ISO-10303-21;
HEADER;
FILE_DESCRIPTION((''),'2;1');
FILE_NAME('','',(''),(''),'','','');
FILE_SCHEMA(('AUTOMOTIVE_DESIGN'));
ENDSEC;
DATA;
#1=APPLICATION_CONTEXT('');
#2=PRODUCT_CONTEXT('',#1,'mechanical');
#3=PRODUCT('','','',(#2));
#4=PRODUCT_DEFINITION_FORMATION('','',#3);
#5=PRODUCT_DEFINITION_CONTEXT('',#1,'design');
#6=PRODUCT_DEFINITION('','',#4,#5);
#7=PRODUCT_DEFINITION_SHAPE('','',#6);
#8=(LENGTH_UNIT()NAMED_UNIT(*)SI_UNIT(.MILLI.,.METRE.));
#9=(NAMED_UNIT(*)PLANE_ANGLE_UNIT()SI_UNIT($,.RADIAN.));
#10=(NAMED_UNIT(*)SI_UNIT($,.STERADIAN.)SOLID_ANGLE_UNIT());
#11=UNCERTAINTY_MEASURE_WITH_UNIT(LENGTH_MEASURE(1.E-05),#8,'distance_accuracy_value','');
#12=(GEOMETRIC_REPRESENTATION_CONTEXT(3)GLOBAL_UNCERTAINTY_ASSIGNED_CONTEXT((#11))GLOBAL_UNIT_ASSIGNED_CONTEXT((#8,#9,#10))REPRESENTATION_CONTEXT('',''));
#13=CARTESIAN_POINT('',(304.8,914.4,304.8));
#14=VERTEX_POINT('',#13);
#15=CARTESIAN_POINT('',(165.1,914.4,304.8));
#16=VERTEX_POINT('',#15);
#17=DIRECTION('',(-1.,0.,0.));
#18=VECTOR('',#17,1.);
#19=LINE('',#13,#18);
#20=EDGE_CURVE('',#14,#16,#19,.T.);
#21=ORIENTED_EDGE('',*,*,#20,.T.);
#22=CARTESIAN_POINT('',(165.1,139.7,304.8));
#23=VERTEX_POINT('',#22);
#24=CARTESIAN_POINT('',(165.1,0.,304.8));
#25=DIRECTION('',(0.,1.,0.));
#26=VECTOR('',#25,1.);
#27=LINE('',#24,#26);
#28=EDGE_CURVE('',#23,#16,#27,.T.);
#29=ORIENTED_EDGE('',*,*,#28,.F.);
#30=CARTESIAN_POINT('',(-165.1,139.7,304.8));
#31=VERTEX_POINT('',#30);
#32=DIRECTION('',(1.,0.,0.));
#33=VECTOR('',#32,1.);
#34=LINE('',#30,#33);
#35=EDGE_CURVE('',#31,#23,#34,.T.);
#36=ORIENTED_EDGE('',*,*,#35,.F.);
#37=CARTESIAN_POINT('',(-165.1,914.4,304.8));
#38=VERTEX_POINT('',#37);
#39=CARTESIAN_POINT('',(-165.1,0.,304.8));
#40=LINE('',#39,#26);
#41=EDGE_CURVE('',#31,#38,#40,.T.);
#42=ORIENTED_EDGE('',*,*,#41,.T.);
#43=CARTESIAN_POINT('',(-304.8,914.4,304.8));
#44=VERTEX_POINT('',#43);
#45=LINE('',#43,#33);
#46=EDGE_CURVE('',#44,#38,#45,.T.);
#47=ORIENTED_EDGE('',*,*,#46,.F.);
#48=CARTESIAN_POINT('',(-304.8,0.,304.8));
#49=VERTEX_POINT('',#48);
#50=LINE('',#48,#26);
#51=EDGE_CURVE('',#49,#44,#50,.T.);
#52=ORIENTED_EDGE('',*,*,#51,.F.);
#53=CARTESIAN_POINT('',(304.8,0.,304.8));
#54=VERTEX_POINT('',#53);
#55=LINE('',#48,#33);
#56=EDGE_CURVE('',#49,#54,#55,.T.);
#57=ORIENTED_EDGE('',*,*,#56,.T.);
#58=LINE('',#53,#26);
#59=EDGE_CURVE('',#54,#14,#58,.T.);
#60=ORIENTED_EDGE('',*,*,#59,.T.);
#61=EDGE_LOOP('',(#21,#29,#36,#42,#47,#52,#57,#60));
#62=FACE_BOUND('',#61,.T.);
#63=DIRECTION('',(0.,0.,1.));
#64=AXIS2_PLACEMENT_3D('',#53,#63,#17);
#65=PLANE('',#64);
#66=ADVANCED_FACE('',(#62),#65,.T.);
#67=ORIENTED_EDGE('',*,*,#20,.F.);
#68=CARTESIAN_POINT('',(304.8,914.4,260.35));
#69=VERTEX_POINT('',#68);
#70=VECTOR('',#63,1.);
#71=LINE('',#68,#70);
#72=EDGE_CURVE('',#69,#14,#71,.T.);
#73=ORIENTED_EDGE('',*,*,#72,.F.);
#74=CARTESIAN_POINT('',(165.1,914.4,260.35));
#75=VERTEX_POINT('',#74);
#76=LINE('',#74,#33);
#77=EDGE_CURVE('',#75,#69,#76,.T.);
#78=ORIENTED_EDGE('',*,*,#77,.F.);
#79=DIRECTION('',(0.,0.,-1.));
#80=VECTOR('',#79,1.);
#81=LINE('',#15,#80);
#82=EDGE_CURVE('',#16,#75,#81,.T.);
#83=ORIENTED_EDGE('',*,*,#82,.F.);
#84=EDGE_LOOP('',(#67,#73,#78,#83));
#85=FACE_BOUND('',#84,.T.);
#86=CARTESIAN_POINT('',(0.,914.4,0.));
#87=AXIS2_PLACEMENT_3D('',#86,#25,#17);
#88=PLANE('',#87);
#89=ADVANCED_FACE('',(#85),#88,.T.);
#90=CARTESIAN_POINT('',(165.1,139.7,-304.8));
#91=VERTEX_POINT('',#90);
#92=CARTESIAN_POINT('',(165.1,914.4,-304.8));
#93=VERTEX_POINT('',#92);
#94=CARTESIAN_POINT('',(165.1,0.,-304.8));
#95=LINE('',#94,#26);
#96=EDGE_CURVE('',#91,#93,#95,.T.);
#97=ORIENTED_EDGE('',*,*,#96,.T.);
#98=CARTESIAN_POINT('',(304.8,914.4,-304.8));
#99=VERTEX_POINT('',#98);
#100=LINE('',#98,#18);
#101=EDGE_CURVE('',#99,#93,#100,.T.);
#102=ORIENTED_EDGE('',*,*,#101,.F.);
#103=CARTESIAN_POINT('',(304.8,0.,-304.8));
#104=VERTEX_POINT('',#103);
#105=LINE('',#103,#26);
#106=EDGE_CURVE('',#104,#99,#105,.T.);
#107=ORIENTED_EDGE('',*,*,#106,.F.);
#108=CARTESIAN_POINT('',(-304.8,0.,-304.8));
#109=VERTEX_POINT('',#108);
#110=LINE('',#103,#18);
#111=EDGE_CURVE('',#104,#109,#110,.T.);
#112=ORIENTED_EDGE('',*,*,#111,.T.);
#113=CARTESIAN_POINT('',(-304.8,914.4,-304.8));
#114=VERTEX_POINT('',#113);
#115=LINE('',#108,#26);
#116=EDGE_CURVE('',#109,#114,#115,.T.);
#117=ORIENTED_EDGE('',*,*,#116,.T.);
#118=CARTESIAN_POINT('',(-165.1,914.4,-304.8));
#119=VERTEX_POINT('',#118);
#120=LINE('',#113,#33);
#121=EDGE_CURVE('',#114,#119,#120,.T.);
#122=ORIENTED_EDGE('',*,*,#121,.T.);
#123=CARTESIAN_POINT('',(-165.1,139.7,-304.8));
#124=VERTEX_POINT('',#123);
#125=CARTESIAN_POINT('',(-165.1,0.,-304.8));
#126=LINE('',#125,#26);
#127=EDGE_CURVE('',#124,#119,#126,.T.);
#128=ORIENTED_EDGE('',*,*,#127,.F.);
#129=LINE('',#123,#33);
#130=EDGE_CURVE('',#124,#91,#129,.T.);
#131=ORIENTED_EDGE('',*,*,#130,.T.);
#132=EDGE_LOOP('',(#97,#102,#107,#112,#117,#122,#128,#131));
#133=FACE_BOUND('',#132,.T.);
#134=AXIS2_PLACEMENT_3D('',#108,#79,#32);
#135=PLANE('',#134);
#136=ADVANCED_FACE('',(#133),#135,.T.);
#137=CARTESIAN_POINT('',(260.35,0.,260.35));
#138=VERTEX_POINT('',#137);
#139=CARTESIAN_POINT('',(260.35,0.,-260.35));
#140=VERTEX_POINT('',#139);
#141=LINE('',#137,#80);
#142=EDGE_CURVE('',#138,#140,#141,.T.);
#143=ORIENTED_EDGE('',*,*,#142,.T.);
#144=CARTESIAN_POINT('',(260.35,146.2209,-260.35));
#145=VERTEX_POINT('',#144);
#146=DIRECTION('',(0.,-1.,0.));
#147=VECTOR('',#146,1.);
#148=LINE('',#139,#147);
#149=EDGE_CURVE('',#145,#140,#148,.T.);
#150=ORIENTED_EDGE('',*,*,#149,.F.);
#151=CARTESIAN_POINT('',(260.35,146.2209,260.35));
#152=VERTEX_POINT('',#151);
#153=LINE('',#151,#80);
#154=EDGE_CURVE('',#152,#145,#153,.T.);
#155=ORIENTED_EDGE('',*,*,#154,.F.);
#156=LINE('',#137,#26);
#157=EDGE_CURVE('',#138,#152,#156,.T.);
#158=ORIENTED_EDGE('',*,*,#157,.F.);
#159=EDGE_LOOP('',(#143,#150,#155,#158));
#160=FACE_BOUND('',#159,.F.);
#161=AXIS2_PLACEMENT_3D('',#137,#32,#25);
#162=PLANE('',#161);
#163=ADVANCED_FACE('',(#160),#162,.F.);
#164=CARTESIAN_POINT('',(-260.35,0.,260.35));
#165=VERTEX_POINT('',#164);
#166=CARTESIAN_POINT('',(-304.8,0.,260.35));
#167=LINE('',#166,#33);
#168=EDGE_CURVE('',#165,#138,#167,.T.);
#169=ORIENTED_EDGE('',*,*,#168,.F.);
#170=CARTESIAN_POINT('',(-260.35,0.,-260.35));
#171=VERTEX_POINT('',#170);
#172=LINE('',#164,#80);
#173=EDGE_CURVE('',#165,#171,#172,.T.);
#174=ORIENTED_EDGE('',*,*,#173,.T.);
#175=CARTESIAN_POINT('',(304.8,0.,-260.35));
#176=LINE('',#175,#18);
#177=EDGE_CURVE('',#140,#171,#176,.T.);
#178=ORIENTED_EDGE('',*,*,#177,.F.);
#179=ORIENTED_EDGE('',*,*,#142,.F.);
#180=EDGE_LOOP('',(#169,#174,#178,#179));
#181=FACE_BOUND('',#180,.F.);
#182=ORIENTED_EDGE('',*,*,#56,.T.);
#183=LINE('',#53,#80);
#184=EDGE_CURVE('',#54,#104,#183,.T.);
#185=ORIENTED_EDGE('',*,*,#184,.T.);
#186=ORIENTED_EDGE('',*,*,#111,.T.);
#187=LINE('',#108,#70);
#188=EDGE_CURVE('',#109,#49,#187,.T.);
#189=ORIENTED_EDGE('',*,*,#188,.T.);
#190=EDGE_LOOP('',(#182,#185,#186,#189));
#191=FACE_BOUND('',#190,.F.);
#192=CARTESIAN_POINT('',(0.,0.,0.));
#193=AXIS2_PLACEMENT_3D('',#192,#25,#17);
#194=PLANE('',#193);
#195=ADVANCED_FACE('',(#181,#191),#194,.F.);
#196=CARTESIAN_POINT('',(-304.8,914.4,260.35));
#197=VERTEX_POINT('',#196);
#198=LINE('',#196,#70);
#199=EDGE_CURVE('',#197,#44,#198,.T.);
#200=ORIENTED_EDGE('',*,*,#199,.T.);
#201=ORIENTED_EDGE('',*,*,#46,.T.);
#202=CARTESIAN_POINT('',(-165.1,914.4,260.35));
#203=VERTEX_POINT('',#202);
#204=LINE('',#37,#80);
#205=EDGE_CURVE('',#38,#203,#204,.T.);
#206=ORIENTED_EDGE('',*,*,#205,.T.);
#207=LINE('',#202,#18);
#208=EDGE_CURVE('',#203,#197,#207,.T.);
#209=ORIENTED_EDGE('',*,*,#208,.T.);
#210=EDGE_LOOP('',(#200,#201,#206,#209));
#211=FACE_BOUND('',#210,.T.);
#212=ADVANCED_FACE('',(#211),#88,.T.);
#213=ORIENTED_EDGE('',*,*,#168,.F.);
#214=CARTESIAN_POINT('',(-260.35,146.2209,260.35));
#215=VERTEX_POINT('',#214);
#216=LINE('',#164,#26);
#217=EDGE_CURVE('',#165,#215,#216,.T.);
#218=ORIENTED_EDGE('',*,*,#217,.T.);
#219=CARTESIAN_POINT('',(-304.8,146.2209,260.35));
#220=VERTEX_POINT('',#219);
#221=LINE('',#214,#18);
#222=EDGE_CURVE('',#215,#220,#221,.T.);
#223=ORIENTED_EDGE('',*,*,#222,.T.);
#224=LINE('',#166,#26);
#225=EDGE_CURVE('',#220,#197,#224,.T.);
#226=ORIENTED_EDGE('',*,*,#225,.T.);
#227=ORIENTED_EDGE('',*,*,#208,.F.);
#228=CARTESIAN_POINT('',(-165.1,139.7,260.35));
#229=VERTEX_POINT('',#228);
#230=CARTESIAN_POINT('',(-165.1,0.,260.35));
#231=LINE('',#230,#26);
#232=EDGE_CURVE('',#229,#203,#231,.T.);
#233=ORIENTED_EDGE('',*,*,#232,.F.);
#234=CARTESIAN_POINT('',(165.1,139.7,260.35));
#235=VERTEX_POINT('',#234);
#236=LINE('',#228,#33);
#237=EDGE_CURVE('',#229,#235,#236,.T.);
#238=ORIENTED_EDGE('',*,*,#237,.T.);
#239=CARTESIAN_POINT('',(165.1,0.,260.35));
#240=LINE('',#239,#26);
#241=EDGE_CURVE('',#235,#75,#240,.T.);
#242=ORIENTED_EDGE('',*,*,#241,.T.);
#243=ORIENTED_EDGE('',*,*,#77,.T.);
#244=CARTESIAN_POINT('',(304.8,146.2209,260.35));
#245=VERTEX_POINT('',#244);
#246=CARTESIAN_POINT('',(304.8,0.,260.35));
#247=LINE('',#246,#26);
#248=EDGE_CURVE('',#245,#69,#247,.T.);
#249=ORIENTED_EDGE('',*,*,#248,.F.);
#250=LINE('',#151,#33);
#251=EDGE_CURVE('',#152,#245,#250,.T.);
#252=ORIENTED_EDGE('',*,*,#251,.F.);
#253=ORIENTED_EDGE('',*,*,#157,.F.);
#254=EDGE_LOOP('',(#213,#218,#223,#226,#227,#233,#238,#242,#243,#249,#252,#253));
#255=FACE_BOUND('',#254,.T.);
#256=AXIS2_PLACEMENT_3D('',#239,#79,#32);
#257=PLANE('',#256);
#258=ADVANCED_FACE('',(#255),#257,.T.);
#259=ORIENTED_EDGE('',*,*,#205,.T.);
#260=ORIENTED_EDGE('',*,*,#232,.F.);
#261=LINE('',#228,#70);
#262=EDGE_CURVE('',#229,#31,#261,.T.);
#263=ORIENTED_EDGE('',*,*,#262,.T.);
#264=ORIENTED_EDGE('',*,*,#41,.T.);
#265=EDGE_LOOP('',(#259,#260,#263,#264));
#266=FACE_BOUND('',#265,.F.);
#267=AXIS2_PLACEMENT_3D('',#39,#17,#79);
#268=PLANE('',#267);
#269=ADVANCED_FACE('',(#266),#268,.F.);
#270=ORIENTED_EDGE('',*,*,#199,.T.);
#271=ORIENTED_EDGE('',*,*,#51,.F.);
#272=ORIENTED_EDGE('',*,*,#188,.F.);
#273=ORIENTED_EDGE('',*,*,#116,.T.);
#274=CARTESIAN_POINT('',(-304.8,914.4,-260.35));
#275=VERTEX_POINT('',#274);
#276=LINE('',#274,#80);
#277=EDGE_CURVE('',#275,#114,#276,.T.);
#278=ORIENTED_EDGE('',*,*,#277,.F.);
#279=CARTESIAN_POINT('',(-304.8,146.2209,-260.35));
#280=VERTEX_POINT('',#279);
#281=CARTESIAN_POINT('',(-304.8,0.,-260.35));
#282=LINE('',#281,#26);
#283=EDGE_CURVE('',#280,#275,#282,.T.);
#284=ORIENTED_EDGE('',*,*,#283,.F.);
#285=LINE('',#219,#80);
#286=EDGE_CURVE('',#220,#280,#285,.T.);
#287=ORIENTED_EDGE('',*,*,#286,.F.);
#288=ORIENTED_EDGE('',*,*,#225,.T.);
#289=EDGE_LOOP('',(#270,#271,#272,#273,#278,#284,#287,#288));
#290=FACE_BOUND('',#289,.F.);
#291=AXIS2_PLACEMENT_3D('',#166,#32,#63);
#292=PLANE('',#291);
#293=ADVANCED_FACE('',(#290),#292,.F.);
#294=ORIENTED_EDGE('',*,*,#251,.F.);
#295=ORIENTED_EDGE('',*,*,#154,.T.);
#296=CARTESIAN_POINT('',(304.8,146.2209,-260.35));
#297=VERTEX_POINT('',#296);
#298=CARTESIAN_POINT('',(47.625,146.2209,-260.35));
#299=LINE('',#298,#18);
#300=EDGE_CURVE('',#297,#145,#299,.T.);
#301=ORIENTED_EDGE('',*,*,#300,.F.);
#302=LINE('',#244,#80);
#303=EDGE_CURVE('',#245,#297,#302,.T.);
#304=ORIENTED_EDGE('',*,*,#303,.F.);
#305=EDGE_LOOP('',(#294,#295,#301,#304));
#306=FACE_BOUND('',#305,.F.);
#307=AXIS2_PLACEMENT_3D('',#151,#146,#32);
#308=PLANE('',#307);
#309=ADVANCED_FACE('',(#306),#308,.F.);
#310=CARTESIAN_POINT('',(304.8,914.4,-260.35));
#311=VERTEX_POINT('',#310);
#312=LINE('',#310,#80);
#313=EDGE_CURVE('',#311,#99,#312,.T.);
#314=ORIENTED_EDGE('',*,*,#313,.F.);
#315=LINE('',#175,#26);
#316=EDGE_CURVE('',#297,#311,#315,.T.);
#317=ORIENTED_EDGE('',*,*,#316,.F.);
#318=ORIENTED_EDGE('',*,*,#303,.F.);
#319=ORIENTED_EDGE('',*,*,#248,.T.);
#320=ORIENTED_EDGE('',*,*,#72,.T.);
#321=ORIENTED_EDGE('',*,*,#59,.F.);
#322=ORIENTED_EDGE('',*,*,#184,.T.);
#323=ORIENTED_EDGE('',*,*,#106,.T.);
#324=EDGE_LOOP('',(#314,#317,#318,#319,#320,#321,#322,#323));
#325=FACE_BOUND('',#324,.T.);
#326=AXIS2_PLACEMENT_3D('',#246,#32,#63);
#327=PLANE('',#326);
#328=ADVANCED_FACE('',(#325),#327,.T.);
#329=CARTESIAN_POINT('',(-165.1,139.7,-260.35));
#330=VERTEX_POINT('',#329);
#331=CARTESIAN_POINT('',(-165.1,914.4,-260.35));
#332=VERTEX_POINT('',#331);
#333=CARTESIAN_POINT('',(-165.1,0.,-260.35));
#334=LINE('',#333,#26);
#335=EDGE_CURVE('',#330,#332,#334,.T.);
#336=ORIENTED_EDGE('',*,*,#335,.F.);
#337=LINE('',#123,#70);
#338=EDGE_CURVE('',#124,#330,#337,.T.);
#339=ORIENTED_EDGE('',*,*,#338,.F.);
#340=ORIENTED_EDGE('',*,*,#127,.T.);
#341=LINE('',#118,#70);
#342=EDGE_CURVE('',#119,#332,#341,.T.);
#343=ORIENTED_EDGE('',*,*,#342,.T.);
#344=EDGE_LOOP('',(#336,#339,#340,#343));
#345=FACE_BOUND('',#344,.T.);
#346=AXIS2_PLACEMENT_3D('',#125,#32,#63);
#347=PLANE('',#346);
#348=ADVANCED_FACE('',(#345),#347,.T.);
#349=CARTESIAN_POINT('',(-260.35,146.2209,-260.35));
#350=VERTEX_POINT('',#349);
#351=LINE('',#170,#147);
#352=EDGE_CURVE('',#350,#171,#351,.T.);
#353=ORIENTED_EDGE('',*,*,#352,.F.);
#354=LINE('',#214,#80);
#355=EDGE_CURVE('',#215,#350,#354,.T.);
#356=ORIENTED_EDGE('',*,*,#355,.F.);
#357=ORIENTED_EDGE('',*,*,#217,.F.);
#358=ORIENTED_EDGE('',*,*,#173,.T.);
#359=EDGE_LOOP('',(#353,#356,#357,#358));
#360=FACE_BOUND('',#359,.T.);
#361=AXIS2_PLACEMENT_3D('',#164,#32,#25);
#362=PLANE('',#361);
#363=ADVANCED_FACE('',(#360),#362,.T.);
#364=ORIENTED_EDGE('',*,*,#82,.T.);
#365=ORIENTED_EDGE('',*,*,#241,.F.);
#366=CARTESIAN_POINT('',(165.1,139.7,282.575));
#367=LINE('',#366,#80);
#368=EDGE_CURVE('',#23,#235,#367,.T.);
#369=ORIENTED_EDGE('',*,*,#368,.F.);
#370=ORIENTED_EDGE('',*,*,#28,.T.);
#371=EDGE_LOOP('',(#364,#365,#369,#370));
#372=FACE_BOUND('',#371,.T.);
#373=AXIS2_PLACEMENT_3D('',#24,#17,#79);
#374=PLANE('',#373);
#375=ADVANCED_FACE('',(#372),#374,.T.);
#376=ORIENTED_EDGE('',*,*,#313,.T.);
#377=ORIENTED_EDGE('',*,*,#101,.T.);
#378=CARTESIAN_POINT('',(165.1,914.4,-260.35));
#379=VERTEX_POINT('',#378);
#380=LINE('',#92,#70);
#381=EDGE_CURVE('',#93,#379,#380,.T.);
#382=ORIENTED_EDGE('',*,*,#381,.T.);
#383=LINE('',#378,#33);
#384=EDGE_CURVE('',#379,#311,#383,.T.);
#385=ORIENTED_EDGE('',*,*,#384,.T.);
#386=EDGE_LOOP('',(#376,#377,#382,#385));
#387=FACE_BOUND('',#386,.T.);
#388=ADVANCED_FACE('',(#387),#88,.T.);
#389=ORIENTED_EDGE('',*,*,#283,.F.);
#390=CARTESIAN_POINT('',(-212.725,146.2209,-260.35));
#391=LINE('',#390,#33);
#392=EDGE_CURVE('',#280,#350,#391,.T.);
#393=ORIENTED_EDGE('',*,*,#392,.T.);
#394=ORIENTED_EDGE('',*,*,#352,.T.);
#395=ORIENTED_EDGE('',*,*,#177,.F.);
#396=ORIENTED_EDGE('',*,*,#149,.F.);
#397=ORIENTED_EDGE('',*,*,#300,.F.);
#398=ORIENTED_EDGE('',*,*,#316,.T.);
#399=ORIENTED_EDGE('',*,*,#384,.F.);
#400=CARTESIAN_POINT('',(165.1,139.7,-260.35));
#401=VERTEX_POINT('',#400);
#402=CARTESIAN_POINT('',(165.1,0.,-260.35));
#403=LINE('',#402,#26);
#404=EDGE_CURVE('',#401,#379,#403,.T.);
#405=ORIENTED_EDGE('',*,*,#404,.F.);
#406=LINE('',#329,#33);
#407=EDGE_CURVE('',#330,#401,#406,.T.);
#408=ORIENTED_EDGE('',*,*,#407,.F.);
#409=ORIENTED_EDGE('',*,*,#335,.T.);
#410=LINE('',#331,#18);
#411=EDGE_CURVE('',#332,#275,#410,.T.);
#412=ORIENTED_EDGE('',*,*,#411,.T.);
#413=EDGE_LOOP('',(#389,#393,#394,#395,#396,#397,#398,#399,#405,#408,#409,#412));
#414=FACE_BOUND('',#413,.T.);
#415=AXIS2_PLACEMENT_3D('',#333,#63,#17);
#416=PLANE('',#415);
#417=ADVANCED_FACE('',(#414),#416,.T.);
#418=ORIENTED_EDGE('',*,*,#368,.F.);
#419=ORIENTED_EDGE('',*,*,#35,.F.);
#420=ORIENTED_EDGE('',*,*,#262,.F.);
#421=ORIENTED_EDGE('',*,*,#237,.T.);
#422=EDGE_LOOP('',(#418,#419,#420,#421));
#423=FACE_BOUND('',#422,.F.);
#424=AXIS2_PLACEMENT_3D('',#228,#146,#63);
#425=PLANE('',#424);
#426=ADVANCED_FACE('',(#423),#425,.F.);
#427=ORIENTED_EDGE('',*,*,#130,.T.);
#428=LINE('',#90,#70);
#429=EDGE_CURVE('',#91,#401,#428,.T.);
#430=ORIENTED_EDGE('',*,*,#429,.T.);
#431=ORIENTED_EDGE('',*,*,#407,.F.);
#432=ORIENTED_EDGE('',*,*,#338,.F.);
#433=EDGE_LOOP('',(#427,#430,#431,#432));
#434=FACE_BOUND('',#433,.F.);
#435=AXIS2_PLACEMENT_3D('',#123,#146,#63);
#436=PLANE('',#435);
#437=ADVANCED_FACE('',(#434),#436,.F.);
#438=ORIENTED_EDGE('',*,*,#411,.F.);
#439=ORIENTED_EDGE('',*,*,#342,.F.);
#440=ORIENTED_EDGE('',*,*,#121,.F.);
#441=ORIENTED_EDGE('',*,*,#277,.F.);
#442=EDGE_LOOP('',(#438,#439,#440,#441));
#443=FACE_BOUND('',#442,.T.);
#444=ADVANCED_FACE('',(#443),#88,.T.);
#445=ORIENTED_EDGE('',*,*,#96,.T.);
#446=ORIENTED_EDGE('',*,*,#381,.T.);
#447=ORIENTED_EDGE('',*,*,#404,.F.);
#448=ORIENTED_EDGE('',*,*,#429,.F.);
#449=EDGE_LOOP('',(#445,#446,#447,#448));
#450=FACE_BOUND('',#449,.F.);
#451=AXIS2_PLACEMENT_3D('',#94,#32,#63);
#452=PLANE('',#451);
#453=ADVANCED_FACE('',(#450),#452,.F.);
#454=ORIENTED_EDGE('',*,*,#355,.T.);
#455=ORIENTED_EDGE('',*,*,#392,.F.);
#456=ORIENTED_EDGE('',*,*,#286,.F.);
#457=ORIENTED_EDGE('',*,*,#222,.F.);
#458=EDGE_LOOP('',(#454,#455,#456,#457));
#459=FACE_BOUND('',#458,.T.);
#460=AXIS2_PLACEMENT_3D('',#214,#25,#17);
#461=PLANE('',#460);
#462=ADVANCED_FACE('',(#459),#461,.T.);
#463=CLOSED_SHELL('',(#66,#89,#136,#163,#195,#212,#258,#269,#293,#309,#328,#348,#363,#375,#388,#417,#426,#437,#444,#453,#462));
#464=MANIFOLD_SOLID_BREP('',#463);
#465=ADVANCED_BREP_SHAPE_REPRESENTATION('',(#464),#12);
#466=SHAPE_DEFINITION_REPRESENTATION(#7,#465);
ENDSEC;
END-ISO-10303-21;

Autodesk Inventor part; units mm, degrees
ref_plane "YZ Plane" through (0, 0, 0) normal (1, 0, 0) x (0, 1, 0)
ref_plane "XZ Plane" through (0, 0, 0) normal (0, 1, 0) x (-1, 0, 0)
ref_plane "XY Plane" through (0, 0, 0) normal (0, 0, 1) x (1, 0, 0)
sketch "Sketch1" plane through (0, 0, 0) normal (0, 1, 0) x (-1, 0, 0)
  line L0 (-304.8, 304.8) -> (-304.8, -304.8) construction
  line L1 (-304.8, -304.8) -> (304.8, -304.8) construction
  line L2 (304.8, -304.8) -> (304.8, 304.8) construction
  line L3 (304.8, 304.8) -> (-304.8, 304.8) construction
  line L4 (-304.8, 304.8) -> (304.8, -304.8) construction
  line L5 (-304.8, -304.8) -> (304.8, 304.8) construction
  line L6 (-304.8, 304.8) -> (-165.1, 304.8)
  line L7 (-165.1, 304.8) -> (-165.1, 260.35)
  line L8 (-165.1, 260.35) -> (-304.8, 260.35)
  line L9 (-304.8, 260.35) -> (-304.8, 304.8)
  line L10 (304.8, 304.8) -> (165.1, 304.8)
  line L11 (165.1, 304.8) -> (165.1, 260.35)
  line L12 (165.1, 260.35) -> (304.8, 260.35)
  line L13 (304.8, 260.35) -> (304.8, 304.8)
  line L14 (304.8, -304.8) -> (165.1, -304.8)
  line L15 (165.1, -304.8) -> (165.1, -260.35)
  line L16 (165.1, -260.35) -> (304.8, -260.35)
  line L17 (304.8, -260.35) -> (304.8, -304.8)
  line L18 (-304.8, -304.8) -> (-165.1, -304.8)
  line L19 (-165.1, -304.8) -> (-165.1, -260.35)
  line L20 (-165.1, -260.35) -> (-304.8, -260.35)
  line L21 (-304.8, -260.35) -> (-304.8, -304.8)
  point P0 (0, 0)
  dimension "d0" = 609.6
  dimension "d1" = 609.6
  dimension "d2" = 44.45
  dimension "d3" = 139.7
extrude "Extrusion1" add sketch "Sketch1" along normal blind 914.4
sketch "Sketch2" plane through (-165.1, 0, 304.8) normal (1, 0, 0) x (0, 0, -1)
  line L0 (44.45, 0) -> (44.45, 914.4) projected
  line L1 (0, 0) -> (44.45, 0)
  line L2 (44.45, 0) -> (44.45, 139.7)
  line L3 (44.45, 139.7) -> (0, 139.7)
  line L4 (0, 139.7) -> (0, 0)
  line L5 (565.15, 0) -> (565.15, 914.4) projected
  line L6 (609.6, 0) -> (609.6, 914.4) projected
  line L7 (565.15, 0) -> (609.6, 0)
  line L8 (609.6, 0) -> (609.6, 139.7)
  line L9 (609.6, 139.7) -> (565.15, 139.7)
  line L10 (565.15, 139.7) -> (565.15, 0)
  point P0 (304.8, 0)
  dimension "d6" = 139.7
extrude "Extrusion2" add sketch "Sketch2" along normal up to next
sketch "Sketch3" plane through (304.8, 0, 260.35) normal (0, 0, -1) x (-1, 0, 0)
  line L0 (0, 0) -> (44.45, 0)
  line L1 (44.45, 0) -> (44.45, 146.2209)
  line L2 (44.45, 146.2209) -> (0, 146.2209)
  line L3 (0, 146.2209) -> (0, 0)
  line L4 (609.6, 0) -> (0, 0) projected
  line L5 (609.6, 0) -> (565.15, 0)
  line L6 (565.15, 0) -> (565.15, 146.2209)
  line L7 (565.15, 146.2209) -> (609.6, 146.2209)
  line L8 (609.6, 146.2209) -> (609.6, 0)
  point P0 (304.8, 0)
  dimension "d9" = 44.45
extrude "Extrusion3" add sketch "Sketch3" along normal up to next
properties part number "WindShield" material "Wood (Birch)"
